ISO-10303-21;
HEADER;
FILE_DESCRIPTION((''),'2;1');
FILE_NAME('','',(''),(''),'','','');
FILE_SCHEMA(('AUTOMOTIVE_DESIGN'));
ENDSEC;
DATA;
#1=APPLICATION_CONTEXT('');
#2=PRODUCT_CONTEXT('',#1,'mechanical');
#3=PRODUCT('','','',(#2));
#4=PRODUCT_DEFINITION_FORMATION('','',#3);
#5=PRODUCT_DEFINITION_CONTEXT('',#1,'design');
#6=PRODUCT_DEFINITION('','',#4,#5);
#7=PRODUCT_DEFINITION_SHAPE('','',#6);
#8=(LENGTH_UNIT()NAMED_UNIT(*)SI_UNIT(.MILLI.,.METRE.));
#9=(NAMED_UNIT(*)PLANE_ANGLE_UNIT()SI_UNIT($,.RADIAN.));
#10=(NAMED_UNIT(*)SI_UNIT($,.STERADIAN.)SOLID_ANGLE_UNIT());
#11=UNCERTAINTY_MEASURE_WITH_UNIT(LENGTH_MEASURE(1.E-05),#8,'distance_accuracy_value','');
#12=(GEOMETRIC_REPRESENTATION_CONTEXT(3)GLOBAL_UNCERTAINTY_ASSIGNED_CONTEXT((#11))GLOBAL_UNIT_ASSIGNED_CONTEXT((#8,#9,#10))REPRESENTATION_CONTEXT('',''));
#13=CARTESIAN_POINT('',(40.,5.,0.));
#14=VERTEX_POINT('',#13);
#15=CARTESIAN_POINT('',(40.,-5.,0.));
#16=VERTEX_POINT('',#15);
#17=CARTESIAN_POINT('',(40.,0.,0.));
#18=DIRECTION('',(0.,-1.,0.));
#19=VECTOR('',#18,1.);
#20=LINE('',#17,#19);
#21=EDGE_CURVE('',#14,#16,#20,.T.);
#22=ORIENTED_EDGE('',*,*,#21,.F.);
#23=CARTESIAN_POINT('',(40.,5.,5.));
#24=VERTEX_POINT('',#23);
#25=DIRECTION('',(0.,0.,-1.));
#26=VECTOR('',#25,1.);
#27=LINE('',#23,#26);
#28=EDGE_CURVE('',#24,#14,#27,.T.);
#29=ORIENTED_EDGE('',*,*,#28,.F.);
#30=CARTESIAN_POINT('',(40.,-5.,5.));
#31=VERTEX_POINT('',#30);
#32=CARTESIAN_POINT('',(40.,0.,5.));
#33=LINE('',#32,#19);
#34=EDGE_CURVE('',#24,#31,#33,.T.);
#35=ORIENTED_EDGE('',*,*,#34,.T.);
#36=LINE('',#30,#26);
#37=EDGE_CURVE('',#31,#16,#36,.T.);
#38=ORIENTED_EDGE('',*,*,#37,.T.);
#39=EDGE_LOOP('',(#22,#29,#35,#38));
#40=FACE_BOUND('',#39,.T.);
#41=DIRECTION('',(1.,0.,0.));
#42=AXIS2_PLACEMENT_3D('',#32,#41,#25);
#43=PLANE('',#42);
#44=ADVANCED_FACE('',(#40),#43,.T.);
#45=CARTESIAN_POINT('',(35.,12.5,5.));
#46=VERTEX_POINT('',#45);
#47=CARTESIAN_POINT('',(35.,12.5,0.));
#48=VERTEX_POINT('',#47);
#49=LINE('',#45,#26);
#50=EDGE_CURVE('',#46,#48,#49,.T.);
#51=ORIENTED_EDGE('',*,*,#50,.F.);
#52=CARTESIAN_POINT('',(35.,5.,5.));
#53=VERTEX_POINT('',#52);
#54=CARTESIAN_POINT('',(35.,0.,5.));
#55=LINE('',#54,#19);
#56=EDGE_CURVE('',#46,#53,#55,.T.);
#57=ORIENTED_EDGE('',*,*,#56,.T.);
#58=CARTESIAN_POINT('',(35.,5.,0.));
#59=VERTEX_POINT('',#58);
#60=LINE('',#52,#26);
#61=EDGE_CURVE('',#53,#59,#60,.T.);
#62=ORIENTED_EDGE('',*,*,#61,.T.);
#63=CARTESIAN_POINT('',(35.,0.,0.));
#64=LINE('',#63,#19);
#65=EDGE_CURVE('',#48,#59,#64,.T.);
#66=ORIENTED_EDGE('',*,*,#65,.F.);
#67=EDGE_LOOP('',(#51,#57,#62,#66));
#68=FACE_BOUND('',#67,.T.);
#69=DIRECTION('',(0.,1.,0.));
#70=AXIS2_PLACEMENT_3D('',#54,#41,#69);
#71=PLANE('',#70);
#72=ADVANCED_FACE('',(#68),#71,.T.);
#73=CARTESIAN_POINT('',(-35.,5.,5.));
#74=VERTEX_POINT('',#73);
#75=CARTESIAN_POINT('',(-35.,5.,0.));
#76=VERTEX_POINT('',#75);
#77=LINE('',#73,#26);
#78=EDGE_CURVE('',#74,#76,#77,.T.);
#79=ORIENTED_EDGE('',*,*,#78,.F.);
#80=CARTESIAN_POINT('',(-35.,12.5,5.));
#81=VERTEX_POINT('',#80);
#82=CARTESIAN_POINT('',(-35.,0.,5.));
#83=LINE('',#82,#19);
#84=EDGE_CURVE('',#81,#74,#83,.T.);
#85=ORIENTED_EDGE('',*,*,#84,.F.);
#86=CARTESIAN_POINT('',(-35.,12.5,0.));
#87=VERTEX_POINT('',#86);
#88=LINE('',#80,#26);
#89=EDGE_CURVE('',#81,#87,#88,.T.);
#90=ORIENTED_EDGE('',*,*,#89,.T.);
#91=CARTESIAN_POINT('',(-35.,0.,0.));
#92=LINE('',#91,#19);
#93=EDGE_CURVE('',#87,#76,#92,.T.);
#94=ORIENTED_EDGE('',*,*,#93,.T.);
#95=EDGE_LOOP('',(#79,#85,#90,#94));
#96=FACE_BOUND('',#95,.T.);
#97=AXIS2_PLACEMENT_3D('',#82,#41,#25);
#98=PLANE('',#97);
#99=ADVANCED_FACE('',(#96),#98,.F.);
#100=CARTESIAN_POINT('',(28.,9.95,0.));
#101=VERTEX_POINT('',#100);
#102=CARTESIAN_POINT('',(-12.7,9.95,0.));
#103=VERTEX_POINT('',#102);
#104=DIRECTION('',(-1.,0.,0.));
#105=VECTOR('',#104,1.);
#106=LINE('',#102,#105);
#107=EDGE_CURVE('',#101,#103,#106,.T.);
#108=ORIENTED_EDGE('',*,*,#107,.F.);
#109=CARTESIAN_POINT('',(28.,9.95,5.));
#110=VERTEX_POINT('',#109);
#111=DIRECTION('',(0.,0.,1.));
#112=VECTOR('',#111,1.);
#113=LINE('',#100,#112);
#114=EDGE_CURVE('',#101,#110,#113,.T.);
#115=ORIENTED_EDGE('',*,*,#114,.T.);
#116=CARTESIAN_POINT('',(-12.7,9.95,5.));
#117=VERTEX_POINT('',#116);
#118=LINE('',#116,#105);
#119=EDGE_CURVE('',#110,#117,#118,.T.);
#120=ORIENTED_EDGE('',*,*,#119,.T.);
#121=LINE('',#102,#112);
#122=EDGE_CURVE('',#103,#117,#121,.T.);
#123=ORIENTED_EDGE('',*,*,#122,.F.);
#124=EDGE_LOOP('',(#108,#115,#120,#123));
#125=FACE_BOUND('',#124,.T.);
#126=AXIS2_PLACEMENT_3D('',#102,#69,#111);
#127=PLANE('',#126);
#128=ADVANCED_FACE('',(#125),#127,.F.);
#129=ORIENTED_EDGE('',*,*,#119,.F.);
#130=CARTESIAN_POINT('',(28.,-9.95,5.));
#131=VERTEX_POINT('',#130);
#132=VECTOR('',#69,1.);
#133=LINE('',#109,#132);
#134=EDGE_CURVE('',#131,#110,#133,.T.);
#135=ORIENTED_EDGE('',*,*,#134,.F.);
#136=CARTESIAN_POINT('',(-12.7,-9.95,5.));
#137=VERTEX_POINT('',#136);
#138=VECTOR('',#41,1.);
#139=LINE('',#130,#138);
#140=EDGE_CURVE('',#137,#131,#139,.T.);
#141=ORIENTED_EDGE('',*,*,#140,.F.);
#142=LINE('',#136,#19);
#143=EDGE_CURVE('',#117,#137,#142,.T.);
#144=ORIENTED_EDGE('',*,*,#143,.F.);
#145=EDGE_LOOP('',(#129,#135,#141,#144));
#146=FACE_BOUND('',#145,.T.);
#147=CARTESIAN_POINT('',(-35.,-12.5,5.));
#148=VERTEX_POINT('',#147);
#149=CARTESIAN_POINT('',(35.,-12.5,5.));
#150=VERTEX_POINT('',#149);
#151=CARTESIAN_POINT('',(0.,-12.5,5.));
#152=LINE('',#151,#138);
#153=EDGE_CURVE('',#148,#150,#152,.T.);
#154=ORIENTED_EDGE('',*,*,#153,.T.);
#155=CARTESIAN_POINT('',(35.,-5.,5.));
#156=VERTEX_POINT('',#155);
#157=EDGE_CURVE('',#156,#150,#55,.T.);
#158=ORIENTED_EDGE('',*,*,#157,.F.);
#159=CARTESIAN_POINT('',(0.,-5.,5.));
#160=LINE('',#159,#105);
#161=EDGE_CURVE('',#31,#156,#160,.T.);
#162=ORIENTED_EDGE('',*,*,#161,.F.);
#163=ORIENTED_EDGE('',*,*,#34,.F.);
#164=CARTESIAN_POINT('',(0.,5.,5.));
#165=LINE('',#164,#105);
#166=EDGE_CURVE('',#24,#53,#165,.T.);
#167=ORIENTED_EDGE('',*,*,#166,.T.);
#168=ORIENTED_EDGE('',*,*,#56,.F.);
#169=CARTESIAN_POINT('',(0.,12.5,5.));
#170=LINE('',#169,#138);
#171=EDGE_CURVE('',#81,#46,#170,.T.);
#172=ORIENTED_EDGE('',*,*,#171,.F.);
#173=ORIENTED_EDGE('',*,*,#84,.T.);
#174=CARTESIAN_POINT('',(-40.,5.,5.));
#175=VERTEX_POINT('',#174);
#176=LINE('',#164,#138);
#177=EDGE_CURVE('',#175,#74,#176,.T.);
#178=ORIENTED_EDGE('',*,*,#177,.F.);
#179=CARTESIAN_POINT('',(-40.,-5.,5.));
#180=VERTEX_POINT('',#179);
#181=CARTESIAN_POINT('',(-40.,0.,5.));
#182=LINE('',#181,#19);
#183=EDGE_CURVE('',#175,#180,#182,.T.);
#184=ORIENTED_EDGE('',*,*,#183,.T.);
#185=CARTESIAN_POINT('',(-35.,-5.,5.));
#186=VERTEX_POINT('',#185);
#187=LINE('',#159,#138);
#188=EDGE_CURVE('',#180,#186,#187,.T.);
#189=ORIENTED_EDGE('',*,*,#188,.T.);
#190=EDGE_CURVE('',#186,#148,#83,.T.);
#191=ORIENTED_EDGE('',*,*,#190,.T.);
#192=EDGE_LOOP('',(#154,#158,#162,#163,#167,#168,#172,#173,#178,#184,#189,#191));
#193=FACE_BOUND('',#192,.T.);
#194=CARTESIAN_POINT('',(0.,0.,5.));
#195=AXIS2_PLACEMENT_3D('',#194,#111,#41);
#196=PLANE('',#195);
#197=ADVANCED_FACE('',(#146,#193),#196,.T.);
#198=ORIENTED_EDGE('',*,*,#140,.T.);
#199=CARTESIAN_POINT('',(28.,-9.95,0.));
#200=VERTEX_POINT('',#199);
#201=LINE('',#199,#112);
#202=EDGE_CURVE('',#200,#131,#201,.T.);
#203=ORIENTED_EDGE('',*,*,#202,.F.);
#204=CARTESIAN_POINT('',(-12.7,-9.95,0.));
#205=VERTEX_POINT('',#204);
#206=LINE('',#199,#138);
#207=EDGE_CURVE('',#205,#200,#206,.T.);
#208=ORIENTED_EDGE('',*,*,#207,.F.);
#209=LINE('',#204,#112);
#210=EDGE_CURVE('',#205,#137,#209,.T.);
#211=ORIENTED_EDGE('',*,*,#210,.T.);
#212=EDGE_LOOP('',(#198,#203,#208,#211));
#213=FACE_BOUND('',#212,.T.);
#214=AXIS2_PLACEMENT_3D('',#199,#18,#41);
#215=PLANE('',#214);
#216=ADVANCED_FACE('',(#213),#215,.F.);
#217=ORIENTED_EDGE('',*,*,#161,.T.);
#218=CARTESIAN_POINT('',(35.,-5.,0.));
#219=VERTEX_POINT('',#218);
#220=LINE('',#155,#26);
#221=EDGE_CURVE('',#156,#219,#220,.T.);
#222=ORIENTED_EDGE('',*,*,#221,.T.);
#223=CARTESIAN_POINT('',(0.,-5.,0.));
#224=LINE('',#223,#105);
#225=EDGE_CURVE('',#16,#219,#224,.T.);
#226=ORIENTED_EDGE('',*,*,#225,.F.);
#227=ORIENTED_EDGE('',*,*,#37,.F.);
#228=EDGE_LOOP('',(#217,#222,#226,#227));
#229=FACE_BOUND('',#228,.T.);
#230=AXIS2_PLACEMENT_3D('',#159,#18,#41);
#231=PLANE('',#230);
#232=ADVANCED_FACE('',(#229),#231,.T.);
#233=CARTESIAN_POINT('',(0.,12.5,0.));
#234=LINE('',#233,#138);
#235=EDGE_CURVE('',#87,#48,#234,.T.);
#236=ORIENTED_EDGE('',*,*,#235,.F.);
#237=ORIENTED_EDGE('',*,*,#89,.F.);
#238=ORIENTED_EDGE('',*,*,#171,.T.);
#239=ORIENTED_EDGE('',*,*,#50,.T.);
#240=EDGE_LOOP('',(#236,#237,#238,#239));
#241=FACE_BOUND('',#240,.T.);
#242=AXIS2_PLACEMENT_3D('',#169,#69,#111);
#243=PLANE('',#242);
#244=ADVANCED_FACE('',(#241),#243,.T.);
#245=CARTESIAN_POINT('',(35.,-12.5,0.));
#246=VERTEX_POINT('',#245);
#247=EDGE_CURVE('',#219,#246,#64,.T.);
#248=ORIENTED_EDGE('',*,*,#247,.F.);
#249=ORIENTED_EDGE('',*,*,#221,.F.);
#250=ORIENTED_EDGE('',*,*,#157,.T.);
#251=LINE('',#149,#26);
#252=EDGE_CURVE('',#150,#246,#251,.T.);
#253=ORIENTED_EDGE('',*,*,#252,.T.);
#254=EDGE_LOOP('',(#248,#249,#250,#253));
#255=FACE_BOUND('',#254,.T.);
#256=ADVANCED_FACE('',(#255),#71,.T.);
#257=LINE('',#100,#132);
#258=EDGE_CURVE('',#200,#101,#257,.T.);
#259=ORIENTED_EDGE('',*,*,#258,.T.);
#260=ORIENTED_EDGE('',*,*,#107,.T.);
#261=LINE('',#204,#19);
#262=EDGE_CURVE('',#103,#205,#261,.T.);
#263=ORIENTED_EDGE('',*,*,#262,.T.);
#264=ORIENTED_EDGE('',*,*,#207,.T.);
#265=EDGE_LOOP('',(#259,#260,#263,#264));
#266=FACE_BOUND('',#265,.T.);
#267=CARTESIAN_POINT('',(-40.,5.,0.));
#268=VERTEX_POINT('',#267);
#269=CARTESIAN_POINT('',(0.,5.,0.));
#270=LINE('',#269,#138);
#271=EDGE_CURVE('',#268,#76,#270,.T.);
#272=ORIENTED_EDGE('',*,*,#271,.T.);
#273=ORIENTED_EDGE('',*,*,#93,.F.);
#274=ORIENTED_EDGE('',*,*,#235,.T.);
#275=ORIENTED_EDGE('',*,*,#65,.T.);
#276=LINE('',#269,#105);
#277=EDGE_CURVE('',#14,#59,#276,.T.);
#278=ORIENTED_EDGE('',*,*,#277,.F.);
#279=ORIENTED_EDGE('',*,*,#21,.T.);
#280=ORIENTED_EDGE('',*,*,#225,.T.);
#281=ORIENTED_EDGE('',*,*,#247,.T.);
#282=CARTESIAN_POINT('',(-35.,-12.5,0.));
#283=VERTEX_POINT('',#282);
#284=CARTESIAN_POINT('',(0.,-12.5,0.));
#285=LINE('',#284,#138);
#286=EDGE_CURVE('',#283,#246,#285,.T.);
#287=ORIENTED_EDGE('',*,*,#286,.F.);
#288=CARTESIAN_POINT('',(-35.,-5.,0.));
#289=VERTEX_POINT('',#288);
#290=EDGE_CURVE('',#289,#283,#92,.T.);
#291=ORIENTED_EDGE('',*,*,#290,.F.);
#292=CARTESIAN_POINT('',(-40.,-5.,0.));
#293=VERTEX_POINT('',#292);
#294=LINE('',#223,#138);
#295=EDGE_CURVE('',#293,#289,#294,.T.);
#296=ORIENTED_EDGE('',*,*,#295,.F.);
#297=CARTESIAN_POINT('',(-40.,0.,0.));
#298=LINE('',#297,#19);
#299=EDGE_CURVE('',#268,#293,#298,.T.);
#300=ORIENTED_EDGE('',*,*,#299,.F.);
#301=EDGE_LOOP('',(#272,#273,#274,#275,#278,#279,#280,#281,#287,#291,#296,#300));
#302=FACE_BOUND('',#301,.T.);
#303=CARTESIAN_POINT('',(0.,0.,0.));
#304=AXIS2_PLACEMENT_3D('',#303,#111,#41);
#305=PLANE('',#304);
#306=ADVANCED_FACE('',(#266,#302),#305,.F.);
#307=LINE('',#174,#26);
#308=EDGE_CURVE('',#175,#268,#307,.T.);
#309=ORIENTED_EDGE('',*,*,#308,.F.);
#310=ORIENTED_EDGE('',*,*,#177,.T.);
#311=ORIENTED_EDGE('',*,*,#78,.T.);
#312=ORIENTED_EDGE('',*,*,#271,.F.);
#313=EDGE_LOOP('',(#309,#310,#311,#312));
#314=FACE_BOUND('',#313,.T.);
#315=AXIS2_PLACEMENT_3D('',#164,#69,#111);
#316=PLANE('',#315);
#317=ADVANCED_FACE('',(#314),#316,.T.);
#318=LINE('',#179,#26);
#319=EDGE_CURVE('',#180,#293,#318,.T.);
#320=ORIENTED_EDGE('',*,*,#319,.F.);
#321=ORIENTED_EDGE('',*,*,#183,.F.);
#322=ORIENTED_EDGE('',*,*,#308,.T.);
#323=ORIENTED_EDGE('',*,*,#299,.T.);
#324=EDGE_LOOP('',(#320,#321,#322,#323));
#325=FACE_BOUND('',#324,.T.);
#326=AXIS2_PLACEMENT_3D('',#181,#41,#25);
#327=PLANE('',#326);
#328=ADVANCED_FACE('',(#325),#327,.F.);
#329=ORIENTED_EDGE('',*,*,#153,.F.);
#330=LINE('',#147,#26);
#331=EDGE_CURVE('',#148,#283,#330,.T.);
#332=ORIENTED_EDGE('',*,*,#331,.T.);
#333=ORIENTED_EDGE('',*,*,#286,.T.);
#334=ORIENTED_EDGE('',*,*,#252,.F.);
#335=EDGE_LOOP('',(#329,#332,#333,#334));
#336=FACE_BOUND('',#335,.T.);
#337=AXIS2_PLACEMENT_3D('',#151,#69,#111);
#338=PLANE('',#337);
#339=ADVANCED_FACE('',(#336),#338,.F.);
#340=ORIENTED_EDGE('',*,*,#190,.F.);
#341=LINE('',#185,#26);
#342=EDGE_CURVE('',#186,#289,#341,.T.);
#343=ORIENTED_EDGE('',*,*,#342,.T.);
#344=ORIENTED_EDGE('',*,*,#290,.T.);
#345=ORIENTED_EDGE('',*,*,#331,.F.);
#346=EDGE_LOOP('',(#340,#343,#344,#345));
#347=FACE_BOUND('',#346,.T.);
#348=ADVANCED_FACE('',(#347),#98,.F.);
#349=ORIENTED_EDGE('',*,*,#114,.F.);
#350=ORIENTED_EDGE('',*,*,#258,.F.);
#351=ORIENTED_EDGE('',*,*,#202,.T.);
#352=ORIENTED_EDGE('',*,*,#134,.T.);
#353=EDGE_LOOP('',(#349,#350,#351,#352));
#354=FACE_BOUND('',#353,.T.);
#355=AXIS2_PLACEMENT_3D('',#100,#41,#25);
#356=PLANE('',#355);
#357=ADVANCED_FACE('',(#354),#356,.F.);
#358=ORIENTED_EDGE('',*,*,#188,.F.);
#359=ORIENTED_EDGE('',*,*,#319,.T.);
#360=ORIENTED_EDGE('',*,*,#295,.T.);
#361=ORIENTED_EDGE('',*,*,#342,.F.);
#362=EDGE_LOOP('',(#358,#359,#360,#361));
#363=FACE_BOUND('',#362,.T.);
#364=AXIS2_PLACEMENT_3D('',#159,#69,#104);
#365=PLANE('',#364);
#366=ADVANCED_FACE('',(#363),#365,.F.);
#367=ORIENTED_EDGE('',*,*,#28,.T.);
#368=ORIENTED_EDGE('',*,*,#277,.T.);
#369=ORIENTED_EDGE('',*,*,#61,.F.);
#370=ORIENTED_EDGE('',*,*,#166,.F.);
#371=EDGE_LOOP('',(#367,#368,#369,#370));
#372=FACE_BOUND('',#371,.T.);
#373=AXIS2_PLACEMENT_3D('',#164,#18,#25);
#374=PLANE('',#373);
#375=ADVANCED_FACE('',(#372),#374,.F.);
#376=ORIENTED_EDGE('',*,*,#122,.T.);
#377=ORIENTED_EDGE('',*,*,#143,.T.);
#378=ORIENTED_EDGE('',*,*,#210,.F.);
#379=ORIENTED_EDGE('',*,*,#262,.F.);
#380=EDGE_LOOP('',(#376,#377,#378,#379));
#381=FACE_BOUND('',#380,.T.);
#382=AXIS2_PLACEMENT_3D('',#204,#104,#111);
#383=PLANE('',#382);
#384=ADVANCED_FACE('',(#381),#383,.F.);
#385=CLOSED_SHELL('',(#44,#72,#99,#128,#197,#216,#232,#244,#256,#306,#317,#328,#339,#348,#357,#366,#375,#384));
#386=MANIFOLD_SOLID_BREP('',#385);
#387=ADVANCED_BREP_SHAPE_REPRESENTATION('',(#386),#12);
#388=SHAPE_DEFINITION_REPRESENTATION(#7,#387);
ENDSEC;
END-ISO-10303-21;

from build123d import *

# Parameters (mm, degrees)
EXTRUDE_1_DEPTH     = 5
SKETCH_2_W          = 40.7
SKETCH_2_H          = 19.9
CUT_EXTRUDE_1_DEPTH = 43.20485754


with BuildPart() as part:
    # 스케치1 → 보스-돌출1 (new body)
    with BuildSketch(Plane.XY):
        Polygon((-40, 5), (-40, -5), (-35, -5), (-35, -12.5), (35, -12.5), (35, -5), (40, -5), (40, 5), (35, 5), (35, 12.5), (-35, 12.5), (-35, 5), align=None)
    extrude(amount=EXTRUDE_1_DEPTH)

    # 스케치2 → 컷-돌출1 (cut, through all)
    with BuildSketch(Plane.XY.offset(5)):
        with Locations((7.65, 0)):
            Rectangle(SKETCH_2_W, SKETCH_2_H)
    extrude(amount=-CUT_EXTRUDE_1_DEPTH, mode=Mode.SUBTRACT)


solid = part.part
